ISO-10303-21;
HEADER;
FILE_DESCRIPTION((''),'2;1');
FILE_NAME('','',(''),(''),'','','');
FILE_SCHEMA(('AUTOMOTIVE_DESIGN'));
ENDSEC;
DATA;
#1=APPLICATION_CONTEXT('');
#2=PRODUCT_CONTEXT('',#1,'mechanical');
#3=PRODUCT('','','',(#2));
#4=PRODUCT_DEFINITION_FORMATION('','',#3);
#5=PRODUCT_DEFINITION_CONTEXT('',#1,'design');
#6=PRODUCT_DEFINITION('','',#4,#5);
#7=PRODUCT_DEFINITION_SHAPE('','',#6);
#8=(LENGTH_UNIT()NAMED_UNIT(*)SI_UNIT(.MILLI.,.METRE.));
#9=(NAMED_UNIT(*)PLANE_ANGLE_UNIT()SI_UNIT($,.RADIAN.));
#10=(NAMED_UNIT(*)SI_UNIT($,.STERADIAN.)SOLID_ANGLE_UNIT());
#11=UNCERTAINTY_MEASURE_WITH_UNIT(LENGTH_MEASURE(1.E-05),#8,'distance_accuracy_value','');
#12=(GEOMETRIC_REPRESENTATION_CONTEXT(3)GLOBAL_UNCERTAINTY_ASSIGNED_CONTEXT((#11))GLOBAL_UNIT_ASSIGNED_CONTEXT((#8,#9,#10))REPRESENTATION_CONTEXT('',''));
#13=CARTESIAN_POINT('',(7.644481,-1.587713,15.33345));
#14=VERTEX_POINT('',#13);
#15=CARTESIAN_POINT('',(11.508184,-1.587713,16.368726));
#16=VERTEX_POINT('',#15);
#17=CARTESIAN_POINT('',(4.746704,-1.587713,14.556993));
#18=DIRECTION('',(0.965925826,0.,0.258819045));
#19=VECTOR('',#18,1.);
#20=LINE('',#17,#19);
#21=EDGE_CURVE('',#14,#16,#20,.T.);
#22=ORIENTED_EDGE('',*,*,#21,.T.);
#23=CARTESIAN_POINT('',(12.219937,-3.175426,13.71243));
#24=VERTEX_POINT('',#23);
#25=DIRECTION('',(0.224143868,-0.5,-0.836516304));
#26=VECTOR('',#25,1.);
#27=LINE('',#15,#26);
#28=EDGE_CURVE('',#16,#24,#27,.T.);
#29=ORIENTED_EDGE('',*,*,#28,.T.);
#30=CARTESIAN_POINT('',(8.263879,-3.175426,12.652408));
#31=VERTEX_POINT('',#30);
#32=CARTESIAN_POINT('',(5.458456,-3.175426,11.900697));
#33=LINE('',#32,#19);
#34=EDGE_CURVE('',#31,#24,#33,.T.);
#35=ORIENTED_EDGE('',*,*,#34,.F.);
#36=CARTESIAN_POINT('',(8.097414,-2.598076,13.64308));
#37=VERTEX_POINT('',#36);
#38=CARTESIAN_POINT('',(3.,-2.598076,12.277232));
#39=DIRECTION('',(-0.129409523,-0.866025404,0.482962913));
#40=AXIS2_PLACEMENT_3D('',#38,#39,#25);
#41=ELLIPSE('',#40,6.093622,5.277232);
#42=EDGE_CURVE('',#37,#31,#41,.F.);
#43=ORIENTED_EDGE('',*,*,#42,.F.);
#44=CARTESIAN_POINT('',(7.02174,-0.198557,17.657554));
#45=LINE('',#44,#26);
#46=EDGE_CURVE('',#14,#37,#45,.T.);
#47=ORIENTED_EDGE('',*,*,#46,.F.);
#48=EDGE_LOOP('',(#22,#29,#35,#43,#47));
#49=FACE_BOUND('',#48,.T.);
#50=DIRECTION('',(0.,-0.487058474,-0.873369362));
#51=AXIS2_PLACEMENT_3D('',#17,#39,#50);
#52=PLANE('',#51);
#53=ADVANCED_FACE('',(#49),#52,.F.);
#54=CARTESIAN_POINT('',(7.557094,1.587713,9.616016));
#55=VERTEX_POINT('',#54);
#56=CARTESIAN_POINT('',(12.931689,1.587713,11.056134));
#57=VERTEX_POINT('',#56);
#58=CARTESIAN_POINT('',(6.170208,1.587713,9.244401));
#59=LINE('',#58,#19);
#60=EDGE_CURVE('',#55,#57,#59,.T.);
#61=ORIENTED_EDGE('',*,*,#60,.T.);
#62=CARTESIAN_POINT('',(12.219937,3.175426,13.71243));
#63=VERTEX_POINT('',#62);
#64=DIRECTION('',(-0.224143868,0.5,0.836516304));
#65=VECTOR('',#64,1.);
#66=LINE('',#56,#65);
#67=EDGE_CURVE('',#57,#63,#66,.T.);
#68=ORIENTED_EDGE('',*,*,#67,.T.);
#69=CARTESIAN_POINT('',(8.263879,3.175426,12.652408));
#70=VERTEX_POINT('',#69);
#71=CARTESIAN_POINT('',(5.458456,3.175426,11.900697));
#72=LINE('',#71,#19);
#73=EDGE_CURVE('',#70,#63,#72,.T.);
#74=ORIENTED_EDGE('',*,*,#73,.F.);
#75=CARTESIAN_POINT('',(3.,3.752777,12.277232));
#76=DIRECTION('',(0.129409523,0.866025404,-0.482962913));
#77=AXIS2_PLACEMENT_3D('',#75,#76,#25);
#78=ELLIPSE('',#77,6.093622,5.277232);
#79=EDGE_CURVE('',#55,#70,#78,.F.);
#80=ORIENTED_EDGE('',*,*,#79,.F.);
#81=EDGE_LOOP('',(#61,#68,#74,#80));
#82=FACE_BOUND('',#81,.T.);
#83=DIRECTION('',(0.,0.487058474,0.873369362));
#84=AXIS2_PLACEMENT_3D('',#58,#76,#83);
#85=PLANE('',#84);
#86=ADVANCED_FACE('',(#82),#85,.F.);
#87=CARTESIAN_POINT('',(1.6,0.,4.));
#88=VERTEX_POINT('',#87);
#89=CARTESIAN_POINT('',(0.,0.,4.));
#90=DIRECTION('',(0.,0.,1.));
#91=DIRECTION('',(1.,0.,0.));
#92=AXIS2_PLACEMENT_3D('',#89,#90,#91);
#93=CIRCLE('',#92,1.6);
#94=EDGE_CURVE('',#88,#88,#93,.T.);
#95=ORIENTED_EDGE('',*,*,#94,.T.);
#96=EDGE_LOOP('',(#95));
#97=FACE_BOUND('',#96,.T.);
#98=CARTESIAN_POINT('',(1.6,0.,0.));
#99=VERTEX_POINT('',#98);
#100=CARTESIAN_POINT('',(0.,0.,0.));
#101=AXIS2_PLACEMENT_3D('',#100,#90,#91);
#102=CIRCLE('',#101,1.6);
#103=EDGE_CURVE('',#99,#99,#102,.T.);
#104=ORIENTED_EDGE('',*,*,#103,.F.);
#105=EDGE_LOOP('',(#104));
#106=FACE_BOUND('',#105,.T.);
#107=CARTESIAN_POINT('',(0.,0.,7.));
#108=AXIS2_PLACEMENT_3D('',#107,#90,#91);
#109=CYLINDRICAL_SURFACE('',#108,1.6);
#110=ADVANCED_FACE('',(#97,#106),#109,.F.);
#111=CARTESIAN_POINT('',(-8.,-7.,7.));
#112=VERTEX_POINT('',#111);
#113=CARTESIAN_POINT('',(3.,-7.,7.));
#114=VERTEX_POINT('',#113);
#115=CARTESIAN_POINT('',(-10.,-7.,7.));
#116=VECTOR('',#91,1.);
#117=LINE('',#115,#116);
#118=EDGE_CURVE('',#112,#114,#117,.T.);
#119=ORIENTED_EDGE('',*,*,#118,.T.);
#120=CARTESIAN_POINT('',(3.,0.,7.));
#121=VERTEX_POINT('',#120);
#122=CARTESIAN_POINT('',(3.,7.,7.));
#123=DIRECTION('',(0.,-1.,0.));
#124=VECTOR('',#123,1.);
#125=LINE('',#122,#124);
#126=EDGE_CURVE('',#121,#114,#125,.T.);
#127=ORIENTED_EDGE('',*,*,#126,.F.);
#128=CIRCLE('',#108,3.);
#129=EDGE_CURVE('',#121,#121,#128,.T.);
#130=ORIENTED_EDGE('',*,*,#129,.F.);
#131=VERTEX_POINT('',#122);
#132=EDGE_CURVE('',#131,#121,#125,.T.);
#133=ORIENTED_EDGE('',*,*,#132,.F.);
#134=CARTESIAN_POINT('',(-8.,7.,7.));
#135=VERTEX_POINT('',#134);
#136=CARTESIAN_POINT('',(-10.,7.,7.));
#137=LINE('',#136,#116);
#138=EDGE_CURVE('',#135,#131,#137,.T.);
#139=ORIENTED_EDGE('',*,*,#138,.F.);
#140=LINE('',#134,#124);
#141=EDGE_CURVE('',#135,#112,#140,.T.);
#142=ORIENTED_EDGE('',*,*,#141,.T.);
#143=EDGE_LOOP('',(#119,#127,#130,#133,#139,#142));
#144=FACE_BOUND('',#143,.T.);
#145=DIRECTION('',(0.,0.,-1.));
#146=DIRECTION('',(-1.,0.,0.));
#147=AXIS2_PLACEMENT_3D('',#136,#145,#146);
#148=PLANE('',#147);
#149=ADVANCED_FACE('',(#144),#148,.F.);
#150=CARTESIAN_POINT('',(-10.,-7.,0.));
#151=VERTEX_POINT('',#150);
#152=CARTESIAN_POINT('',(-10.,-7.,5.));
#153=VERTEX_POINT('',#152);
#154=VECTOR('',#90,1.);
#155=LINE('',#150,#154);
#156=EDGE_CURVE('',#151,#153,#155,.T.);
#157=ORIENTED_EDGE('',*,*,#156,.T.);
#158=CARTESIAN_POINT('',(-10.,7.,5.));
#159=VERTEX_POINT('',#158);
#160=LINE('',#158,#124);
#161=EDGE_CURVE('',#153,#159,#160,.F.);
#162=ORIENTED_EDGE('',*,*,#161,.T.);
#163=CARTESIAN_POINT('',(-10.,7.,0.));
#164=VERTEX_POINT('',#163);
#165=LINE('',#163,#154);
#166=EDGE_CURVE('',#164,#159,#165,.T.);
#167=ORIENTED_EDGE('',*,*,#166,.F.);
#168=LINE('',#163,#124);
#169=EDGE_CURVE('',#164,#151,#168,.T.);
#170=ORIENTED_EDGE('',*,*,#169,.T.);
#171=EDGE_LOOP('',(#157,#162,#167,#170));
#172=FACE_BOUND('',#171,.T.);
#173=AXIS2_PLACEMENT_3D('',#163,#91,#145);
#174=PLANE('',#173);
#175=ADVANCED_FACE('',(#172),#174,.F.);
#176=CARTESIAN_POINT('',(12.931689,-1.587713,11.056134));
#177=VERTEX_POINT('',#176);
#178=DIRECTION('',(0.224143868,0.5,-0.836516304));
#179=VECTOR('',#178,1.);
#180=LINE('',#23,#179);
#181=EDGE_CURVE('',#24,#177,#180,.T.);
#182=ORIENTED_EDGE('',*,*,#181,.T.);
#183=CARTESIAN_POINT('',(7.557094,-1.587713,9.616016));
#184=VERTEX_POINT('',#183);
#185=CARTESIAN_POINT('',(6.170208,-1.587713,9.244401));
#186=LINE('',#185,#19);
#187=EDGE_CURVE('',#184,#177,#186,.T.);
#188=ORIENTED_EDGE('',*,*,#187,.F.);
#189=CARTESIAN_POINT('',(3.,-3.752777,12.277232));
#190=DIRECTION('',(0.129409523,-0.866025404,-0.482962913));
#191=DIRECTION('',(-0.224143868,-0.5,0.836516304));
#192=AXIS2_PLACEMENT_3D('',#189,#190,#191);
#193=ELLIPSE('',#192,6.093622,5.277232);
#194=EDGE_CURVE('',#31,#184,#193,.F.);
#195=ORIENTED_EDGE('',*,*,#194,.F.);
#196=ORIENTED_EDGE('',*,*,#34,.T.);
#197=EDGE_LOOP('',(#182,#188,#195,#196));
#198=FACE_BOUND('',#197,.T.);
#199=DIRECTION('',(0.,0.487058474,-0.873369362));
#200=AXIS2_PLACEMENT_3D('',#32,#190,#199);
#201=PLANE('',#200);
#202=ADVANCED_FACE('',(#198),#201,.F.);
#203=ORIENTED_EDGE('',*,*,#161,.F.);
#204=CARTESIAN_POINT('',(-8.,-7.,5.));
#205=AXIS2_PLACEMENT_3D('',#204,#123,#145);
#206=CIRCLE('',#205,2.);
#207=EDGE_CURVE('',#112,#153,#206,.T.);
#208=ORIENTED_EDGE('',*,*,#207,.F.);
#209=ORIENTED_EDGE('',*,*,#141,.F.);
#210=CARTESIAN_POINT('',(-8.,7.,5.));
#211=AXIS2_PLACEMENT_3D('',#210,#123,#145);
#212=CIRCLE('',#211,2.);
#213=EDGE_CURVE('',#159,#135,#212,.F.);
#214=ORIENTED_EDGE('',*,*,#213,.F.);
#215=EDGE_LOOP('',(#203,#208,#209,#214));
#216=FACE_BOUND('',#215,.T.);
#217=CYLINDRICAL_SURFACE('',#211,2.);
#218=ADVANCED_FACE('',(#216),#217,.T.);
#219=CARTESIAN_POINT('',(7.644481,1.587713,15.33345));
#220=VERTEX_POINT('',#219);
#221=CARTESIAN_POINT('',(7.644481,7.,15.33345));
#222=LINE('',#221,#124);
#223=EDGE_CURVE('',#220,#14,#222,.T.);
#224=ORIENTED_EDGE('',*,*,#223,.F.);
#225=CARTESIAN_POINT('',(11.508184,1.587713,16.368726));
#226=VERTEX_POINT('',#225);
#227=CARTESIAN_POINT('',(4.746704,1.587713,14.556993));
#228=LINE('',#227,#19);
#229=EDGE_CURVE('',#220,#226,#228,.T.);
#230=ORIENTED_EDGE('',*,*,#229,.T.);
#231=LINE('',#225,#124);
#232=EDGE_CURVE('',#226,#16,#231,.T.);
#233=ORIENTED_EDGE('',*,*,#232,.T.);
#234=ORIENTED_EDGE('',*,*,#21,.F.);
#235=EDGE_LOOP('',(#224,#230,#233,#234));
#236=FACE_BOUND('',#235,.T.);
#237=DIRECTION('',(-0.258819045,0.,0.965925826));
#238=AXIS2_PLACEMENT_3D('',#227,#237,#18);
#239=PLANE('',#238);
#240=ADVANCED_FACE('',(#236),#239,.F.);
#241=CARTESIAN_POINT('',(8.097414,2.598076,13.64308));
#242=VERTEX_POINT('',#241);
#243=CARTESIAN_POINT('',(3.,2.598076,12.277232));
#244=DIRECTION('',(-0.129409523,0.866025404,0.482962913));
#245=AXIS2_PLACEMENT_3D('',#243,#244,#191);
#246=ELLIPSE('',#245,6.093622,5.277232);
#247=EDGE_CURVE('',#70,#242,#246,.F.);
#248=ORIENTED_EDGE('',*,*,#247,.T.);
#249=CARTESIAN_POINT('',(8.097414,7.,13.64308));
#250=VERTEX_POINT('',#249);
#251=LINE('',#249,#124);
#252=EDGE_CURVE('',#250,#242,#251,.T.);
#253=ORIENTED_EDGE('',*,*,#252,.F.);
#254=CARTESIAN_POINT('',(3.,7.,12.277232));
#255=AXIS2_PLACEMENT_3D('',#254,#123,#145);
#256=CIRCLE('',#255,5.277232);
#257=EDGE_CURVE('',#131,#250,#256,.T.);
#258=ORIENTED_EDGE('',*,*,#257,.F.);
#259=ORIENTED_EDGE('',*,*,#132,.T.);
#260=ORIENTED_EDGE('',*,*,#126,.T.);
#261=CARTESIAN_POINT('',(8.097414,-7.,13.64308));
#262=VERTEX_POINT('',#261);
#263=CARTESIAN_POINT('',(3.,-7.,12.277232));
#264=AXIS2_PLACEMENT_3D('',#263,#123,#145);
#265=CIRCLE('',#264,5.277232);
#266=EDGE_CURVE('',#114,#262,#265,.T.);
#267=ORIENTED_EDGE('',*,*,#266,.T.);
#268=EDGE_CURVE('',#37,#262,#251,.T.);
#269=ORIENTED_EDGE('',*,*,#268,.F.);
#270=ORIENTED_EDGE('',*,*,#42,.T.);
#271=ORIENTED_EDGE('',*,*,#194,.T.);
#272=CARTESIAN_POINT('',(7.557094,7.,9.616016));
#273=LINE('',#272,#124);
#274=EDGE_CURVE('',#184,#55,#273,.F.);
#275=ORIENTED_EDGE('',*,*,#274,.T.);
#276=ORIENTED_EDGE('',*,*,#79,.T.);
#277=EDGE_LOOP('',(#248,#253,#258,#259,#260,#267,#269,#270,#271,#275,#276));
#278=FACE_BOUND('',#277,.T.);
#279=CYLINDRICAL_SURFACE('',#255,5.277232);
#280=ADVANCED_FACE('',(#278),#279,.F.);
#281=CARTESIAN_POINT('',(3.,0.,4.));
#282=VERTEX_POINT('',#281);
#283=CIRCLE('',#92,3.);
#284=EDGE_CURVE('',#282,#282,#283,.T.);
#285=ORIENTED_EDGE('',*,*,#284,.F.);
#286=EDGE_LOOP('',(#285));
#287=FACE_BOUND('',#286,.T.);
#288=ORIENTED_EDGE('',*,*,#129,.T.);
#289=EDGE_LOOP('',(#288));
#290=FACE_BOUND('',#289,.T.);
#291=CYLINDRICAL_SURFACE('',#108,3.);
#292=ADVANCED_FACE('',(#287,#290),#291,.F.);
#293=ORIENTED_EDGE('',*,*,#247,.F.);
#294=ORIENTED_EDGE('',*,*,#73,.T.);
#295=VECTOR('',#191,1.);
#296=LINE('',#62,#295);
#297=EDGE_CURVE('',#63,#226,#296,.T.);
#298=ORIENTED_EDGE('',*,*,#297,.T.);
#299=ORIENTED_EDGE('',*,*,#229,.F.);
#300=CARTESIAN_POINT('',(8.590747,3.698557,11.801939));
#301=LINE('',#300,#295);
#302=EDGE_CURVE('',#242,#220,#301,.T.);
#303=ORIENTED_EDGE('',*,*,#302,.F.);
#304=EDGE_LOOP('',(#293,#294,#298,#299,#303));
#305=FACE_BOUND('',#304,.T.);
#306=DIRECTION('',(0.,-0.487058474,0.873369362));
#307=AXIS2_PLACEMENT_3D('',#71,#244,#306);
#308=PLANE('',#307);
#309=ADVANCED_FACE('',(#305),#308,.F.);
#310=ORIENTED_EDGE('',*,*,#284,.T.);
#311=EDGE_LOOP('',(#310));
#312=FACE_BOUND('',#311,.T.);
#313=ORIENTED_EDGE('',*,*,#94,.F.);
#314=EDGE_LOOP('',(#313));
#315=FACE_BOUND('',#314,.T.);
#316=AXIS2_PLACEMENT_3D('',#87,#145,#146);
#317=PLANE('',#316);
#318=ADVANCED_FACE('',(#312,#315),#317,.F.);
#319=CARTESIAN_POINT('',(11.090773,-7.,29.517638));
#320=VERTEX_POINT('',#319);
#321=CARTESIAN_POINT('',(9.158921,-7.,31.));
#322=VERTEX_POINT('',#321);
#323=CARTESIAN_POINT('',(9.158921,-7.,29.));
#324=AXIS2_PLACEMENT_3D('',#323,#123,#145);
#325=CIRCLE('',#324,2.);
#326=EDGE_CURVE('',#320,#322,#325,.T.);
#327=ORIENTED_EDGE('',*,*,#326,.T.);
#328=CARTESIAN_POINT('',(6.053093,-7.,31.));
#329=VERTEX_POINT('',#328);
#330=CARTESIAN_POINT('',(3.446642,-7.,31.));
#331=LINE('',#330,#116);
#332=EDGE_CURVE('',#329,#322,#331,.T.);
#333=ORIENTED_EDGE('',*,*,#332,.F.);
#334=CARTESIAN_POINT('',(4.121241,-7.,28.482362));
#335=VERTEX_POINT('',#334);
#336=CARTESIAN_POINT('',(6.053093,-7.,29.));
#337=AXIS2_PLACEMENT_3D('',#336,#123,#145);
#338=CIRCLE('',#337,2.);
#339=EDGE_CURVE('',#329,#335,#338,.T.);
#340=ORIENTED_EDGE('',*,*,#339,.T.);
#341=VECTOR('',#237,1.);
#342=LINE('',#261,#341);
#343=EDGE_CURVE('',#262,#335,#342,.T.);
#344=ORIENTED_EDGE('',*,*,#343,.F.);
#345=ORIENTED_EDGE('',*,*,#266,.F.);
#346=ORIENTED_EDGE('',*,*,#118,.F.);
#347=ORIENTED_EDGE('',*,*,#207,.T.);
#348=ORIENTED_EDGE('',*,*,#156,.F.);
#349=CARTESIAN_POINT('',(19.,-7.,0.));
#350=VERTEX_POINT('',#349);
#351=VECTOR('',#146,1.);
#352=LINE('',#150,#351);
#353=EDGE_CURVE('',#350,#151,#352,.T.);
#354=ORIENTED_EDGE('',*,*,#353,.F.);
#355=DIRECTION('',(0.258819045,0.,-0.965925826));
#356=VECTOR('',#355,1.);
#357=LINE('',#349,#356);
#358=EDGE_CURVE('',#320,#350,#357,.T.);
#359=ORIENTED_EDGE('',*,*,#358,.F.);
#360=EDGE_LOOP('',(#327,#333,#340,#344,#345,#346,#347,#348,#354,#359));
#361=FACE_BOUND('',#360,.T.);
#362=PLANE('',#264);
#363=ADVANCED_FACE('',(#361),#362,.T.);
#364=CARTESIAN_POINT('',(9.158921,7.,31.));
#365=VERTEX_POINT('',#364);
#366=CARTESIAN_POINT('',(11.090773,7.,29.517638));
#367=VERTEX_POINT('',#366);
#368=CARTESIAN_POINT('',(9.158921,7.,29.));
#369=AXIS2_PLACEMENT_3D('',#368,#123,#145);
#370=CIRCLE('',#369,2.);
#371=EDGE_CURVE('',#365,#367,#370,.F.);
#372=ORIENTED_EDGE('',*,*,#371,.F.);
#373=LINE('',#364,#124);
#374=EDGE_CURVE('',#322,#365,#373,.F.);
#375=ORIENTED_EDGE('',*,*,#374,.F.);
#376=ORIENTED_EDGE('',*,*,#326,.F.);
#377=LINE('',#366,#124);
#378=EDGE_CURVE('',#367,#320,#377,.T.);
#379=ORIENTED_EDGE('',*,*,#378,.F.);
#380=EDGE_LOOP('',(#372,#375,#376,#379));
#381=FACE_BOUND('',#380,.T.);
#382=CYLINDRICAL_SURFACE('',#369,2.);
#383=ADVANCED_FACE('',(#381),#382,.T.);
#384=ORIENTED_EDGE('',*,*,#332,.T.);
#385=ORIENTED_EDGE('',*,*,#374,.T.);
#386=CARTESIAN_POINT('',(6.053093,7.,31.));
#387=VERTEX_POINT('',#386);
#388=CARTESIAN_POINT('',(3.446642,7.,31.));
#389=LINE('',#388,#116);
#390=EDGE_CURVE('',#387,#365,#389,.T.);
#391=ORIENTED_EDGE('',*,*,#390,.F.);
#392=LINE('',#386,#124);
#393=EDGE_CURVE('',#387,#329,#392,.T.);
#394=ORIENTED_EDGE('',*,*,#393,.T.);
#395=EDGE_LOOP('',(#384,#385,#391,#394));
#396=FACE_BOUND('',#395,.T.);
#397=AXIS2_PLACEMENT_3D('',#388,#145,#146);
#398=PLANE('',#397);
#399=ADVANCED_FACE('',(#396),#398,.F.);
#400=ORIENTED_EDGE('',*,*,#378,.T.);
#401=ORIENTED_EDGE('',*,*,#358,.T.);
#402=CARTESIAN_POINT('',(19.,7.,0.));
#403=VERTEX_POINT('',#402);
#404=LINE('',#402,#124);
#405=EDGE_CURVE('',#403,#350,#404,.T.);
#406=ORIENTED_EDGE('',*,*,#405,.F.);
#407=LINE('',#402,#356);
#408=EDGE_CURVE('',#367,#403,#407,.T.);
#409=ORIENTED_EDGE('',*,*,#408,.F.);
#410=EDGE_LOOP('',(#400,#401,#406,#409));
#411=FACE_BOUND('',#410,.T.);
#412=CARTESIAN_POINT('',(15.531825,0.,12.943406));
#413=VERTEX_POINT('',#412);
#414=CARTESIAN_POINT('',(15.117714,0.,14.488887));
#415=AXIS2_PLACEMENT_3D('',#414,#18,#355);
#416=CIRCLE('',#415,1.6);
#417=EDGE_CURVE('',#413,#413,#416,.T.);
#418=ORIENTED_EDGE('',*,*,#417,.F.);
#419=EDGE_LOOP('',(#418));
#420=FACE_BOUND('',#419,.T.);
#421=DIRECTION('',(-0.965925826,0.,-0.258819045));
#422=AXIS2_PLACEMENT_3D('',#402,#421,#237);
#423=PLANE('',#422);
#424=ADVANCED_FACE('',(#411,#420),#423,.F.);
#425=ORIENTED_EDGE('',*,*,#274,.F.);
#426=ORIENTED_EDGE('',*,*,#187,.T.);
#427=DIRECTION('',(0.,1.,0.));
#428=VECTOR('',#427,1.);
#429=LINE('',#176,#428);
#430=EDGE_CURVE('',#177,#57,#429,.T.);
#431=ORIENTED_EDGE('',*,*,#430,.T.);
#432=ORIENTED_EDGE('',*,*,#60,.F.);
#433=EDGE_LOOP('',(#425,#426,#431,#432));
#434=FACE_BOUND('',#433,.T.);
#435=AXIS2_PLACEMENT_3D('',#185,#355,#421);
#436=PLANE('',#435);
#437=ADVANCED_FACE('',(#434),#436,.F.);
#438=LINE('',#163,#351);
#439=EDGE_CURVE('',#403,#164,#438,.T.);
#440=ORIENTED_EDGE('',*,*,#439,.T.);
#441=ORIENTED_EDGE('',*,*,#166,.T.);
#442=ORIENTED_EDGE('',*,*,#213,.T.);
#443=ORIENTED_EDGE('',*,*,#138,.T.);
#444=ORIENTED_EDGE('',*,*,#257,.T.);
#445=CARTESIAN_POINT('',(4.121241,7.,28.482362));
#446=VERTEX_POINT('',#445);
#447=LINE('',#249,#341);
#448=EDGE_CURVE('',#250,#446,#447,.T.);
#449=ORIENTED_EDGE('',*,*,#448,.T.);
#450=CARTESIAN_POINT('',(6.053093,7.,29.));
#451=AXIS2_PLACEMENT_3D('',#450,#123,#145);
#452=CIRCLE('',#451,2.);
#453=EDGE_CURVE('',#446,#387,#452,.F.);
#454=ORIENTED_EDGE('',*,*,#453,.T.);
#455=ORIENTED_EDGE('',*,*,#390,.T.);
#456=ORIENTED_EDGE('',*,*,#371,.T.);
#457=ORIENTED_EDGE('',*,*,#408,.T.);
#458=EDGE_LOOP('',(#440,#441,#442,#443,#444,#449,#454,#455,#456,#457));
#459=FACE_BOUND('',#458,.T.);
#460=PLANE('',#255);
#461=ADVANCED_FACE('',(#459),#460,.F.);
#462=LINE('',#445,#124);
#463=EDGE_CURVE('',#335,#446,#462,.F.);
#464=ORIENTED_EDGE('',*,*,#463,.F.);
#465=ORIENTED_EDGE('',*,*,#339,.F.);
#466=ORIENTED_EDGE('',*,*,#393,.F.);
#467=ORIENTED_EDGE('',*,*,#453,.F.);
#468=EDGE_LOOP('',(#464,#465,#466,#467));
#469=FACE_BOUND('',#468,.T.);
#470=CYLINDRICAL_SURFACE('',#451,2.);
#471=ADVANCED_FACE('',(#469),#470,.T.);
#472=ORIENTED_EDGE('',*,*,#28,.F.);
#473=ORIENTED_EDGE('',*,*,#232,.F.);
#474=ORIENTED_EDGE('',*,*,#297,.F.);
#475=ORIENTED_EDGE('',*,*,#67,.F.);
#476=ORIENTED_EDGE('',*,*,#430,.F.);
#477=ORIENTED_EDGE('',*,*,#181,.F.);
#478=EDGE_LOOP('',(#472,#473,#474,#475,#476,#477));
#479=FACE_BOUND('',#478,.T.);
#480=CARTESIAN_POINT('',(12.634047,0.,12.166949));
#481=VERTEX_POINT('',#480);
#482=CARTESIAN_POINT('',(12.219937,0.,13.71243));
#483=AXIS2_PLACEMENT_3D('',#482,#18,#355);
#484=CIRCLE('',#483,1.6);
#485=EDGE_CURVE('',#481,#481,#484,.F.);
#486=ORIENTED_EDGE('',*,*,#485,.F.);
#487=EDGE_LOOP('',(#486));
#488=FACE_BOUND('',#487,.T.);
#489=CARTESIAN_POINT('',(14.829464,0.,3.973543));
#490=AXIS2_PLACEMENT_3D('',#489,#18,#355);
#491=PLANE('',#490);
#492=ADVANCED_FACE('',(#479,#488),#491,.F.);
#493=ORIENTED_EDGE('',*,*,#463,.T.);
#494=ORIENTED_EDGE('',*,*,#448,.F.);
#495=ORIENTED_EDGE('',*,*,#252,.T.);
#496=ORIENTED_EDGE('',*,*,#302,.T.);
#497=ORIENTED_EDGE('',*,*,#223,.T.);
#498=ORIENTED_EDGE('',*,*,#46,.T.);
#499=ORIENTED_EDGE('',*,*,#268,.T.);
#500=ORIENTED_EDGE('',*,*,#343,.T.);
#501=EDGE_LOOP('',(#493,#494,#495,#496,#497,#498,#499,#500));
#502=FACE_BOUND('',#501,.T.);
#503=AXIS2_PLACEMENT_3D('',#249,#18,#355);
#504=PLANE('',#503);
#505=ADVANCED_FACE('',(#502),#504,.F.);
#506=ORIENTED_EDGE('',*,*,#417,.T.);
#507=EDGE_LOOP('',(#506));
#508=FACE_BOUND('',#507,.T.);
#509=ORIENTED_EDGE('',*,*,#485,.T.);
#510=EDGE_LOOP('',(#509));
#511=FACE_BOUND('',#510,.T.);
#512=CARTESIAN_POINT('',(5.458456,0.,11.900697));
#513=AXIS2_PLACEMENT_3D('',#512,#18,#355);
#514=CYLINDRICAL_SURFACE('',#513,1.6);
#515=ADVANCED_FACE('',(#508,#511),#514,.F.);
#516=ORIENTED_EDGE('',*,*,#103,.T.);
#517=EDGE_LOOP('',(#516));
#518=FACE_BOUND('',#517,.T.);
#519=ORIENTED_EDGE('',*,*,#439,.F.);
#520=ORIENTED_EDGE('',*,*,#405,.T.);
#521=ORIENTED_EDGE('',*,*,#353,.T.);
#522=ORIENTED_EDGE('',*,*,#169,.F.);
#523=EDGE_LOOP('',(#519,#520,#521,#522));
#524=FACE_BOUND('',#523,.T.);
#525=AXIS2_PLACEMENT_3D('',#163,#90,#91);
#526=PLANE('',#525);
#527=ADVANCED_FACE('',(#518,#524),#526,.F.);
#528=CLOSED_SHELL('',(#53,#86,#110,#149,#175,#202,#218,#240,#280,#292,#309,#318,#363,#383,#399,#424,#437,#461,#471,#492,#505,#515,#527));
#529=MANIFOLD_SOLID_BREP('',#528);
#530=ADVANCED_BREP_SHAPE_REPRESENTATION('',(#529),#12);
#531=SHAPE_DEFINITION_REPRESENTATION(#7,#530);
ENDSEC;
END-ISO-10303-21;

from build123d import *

# Parameters (mm, degrees)
BOSS_EXTRU_1_DEPTH                              = 7
CHAMBRAGE_POUR_VIS_T_TE_CYLINDRIQUE_D           = 3.2
CHAMBRAGE_POUR_VIS_T_TE_CYLINDRIQUE_CBORE_D     = 6
CHAMBRAGE_POUR_VIS_T_TE_CYLINDRIQUE_CBORE_DEPTH = 3
CONG_1_R                                        = 2
ESQUISSE5_R                                     = 1.6
ENL_V_MAT_EXTRU_1_DEPTH                         = 10
ENL_V_START                                     = -3
ENL_V_MAT_EXTRU_2_DEPTH                         = 7


with BuildPart() as part:
    # Esquisse1 → Boss.-Extru.1 (new, symmetric)
    with BuildSketch(Plane(origin=(0, 0, 0), x_dir=(1, 0, 0), z_dir=(0, 1, 0))):
        with BuildLine():
            Line((-10, 0), (-10, -7))
            Line((-10, -7), (3, -7))
            ThreePointArc((3, -7), (7.186709482, -9.064656631), (8.097414494, -13.643079905))
            Line((8.097414494, -13.643079905), (3.446641772, -31))
            Line((3.446641772, -31), (10.693575035, -31))
            Line((10.693575035, -31), (19, 0))
            Line((19, 0), (-10, 0))
        make_face()
    extrude(amount=BOSS_EXTRU_1_DEPTH, both=True)

    # Chambrage pour vis à tête cylindrique à 6 pans creux (ou vis CHC) M31 (through all)
    with Locations(Plane.XY.offset(7)):
        with Locations((0, 0)):
            CounterBoreHole(CHAMBRAGE_POUR_VIS_T_TE_CYLINDRIQUE_D / 2, CHAMBRAGE_POUR_VIS_T_TE_CYLINDRIQUE_CBORE_D / 2, CHAMBRAGE_POUR_VIS_T_TE_CYLINDRIQUE_CBORE_DEPTH)

    # Congé1
    cong_1_edges = [part.edges().sort_by_distance(p)[0] for p in [
        (10.693575035, 0, 31),
        (3.446641772, 0, 31),
        (-10, 0, 7),
    ]]
    fillet(cong_1_edges, radius=CONG_1_R)

    # Esquisse5 → Enlèv. mat.-Extru.1 (cut)
    with BuildSketch(Plane(origin=(17.727241336, 0, 4.75), x_dir=(0.25881904510252474, 0, -0.9659258262890673), z_dir=(0.9659258262890673, 0, 0.25881904510252474))):
        with Locations((-10.082438143, 0)):
            Circle(ESQUISSE5_R)
    extrude(amount=-ENL_V_MAT_EXTRU_1_DEPTH, mode=Mode.SUBTRACT)

    # Esquisse6 → Enlèv. mat.-Extru.2 (cut)
    with BuildSketch(Plane(origin=(17.727241336, 0, 4.75), x_dir=(0.25881904510252474, 0, -0.9659258262890673), z_dir=(0.9659258262890673, 0, 0.25881904510252474)).offset(ENL_V_START)):
        Polygon((-7.332438143, 1.58771324), (-10.082438143, 3.175426481), (-12.832438143, 1.58771324), (-12.832438143, -1.58771324), (-10.082438143, -3.175426481), (-7.332438143, -1.58771324), align=None)
    extrude(amount=-ENL_V_MAT_EXTRU_2_DEPTH, mode=Mode.SUBTRACT)


solid = part.part
